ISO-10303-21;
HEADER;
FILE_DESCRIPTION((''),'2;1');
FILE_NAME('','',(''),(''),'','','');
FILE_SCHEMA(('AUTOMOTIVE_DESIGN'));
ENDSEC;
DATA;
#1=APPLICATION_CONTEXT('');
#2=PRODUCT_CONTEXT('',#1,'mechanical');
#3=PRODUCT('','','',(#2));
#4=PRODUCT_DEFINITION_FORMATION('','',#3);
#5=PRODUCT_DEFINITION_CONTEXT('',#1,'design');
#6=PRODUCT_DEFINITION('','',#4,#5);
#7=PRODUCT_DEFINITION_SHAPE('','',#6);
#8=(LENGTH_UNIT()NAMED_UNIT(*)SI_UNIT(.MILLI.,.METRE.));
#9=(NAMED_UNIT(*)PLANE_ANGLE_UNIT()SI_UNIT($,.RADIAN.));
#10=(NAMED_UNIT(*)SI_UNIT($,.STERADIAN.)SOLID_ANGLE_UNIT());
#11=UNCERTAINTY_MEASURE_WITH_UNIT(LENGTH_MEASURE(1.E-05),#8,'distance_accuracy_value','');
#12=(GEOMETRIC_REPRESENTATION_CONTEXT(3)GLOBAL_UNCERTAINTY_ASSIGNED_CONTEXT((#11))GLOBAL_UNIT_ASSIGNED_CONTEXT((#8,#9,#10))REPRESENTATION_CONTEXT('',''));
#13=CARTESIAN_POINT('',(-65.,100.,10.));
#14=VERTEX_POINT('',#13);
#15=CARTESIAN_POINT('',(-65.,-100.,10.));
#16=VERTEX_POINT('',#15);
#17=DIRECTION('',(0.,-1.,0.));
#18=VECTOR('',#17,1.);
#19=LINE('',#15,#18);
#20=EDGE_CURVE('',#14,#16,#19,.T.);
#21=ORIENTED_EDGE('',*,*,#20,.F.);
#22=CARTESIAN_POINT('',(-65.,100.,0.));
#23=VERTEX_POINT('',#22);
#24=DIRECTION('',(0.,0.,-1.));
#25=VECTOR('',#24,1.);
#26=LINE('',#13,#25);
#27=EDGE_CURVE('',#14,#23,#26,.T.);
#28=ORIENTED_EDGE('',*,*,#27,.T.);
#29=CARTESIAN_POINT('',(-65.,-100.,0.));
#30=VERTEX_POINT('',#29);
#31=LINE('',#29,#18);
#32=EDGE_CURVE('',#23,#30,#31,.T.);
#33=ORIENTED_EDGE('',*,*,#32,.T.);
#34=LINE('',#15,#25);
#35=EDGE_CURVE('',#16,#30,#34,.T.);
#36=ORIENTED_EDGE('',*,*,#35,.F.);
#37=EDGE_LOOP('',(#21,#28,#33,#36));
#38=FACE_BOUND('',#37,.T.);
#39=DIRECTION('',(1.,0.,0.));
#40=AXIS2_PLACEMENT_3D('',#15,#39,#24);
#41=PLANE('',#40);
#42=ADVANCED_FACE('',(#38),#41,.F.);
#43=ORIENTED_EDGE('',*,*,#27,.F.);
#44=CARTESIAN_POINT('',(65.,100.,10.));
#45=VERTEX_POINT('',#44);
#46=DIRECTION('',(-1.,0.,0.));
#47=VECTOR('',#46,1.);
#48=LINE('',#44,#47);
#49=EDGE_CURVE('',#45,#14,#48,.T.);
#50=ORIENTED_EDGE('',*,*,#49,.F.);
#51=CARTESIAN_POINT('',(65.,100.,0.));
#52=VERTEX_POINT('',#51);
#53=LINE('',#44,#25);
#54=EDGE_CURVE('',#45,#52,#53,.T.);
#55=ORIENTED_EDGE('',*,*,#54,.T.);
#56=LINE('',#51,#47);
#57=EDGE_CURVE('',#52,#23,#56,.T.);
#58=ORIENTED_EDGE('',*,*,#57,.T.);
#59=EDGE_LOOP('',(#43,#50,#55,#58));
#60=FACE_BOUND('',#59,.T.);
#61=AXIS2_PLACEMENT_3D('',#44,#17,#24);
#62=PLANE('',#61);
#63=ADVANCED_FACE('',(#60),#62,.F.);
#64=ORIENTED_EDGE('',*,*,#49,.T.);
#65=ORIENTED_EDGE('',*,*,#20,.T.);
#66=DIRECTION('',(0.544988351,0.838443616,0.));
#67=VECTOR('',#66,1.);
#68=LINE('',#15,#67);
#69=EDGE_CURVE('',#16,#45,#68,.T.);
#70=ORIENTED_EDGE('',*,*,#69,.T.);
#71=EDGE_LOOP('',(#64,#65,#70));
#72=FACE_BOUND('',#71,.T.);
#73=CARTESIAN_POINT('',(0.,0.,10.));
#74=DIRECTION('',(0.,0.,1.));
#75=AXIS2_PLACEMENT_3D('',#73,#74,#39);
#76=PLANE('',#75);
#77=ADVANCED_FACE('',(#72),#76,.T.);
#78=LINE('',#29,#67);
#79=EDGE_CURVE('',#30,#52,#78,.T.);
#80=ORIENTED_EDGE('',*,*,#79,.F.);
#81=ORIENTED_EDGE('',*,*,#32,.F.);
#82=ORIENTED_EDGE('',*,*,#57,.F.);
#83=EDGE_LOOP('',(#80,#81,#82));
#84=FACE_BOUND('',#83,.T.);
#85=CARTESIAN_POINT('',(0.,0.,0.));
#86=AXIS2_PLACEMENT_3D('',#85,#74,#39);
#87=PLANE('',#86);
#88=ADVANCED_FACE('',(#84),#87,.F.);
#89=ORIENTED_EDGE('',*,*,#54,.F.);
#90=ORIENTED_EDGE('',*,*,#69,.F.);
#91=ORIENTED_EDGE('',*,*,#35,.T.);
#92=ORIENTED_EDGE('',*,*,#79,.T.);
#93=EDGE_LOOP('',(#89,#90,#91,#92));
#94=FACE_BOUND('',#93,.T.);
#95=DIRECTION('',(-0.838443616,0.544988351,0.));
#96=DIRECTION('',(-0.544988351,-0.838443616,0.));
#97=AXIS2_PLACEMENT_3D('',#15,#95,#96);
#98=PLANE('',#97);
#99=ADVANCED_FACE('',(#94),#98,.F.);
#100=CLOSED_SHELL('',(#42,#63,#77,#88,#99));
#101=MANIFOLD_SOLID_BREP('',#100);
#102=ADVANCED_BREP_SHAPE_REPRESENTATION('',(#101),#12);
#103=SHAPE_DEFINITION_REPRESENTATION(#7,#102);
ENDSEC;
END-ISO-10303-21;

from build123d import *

# Parameters (mm, degrees)
BOSS_EXTRUDE1_DEPTH = 10


with BuildPart() as part:
    # Sketch1 → Boss-Extrude1 (new body)
    with BuildSketch(Plane.XY):
        Polygon((65, 100), (-65, 100), (-65, -100), align=None)
    extrude(amount=BOSS_EXTRUDE1_DEPTH)


solid = part.part
